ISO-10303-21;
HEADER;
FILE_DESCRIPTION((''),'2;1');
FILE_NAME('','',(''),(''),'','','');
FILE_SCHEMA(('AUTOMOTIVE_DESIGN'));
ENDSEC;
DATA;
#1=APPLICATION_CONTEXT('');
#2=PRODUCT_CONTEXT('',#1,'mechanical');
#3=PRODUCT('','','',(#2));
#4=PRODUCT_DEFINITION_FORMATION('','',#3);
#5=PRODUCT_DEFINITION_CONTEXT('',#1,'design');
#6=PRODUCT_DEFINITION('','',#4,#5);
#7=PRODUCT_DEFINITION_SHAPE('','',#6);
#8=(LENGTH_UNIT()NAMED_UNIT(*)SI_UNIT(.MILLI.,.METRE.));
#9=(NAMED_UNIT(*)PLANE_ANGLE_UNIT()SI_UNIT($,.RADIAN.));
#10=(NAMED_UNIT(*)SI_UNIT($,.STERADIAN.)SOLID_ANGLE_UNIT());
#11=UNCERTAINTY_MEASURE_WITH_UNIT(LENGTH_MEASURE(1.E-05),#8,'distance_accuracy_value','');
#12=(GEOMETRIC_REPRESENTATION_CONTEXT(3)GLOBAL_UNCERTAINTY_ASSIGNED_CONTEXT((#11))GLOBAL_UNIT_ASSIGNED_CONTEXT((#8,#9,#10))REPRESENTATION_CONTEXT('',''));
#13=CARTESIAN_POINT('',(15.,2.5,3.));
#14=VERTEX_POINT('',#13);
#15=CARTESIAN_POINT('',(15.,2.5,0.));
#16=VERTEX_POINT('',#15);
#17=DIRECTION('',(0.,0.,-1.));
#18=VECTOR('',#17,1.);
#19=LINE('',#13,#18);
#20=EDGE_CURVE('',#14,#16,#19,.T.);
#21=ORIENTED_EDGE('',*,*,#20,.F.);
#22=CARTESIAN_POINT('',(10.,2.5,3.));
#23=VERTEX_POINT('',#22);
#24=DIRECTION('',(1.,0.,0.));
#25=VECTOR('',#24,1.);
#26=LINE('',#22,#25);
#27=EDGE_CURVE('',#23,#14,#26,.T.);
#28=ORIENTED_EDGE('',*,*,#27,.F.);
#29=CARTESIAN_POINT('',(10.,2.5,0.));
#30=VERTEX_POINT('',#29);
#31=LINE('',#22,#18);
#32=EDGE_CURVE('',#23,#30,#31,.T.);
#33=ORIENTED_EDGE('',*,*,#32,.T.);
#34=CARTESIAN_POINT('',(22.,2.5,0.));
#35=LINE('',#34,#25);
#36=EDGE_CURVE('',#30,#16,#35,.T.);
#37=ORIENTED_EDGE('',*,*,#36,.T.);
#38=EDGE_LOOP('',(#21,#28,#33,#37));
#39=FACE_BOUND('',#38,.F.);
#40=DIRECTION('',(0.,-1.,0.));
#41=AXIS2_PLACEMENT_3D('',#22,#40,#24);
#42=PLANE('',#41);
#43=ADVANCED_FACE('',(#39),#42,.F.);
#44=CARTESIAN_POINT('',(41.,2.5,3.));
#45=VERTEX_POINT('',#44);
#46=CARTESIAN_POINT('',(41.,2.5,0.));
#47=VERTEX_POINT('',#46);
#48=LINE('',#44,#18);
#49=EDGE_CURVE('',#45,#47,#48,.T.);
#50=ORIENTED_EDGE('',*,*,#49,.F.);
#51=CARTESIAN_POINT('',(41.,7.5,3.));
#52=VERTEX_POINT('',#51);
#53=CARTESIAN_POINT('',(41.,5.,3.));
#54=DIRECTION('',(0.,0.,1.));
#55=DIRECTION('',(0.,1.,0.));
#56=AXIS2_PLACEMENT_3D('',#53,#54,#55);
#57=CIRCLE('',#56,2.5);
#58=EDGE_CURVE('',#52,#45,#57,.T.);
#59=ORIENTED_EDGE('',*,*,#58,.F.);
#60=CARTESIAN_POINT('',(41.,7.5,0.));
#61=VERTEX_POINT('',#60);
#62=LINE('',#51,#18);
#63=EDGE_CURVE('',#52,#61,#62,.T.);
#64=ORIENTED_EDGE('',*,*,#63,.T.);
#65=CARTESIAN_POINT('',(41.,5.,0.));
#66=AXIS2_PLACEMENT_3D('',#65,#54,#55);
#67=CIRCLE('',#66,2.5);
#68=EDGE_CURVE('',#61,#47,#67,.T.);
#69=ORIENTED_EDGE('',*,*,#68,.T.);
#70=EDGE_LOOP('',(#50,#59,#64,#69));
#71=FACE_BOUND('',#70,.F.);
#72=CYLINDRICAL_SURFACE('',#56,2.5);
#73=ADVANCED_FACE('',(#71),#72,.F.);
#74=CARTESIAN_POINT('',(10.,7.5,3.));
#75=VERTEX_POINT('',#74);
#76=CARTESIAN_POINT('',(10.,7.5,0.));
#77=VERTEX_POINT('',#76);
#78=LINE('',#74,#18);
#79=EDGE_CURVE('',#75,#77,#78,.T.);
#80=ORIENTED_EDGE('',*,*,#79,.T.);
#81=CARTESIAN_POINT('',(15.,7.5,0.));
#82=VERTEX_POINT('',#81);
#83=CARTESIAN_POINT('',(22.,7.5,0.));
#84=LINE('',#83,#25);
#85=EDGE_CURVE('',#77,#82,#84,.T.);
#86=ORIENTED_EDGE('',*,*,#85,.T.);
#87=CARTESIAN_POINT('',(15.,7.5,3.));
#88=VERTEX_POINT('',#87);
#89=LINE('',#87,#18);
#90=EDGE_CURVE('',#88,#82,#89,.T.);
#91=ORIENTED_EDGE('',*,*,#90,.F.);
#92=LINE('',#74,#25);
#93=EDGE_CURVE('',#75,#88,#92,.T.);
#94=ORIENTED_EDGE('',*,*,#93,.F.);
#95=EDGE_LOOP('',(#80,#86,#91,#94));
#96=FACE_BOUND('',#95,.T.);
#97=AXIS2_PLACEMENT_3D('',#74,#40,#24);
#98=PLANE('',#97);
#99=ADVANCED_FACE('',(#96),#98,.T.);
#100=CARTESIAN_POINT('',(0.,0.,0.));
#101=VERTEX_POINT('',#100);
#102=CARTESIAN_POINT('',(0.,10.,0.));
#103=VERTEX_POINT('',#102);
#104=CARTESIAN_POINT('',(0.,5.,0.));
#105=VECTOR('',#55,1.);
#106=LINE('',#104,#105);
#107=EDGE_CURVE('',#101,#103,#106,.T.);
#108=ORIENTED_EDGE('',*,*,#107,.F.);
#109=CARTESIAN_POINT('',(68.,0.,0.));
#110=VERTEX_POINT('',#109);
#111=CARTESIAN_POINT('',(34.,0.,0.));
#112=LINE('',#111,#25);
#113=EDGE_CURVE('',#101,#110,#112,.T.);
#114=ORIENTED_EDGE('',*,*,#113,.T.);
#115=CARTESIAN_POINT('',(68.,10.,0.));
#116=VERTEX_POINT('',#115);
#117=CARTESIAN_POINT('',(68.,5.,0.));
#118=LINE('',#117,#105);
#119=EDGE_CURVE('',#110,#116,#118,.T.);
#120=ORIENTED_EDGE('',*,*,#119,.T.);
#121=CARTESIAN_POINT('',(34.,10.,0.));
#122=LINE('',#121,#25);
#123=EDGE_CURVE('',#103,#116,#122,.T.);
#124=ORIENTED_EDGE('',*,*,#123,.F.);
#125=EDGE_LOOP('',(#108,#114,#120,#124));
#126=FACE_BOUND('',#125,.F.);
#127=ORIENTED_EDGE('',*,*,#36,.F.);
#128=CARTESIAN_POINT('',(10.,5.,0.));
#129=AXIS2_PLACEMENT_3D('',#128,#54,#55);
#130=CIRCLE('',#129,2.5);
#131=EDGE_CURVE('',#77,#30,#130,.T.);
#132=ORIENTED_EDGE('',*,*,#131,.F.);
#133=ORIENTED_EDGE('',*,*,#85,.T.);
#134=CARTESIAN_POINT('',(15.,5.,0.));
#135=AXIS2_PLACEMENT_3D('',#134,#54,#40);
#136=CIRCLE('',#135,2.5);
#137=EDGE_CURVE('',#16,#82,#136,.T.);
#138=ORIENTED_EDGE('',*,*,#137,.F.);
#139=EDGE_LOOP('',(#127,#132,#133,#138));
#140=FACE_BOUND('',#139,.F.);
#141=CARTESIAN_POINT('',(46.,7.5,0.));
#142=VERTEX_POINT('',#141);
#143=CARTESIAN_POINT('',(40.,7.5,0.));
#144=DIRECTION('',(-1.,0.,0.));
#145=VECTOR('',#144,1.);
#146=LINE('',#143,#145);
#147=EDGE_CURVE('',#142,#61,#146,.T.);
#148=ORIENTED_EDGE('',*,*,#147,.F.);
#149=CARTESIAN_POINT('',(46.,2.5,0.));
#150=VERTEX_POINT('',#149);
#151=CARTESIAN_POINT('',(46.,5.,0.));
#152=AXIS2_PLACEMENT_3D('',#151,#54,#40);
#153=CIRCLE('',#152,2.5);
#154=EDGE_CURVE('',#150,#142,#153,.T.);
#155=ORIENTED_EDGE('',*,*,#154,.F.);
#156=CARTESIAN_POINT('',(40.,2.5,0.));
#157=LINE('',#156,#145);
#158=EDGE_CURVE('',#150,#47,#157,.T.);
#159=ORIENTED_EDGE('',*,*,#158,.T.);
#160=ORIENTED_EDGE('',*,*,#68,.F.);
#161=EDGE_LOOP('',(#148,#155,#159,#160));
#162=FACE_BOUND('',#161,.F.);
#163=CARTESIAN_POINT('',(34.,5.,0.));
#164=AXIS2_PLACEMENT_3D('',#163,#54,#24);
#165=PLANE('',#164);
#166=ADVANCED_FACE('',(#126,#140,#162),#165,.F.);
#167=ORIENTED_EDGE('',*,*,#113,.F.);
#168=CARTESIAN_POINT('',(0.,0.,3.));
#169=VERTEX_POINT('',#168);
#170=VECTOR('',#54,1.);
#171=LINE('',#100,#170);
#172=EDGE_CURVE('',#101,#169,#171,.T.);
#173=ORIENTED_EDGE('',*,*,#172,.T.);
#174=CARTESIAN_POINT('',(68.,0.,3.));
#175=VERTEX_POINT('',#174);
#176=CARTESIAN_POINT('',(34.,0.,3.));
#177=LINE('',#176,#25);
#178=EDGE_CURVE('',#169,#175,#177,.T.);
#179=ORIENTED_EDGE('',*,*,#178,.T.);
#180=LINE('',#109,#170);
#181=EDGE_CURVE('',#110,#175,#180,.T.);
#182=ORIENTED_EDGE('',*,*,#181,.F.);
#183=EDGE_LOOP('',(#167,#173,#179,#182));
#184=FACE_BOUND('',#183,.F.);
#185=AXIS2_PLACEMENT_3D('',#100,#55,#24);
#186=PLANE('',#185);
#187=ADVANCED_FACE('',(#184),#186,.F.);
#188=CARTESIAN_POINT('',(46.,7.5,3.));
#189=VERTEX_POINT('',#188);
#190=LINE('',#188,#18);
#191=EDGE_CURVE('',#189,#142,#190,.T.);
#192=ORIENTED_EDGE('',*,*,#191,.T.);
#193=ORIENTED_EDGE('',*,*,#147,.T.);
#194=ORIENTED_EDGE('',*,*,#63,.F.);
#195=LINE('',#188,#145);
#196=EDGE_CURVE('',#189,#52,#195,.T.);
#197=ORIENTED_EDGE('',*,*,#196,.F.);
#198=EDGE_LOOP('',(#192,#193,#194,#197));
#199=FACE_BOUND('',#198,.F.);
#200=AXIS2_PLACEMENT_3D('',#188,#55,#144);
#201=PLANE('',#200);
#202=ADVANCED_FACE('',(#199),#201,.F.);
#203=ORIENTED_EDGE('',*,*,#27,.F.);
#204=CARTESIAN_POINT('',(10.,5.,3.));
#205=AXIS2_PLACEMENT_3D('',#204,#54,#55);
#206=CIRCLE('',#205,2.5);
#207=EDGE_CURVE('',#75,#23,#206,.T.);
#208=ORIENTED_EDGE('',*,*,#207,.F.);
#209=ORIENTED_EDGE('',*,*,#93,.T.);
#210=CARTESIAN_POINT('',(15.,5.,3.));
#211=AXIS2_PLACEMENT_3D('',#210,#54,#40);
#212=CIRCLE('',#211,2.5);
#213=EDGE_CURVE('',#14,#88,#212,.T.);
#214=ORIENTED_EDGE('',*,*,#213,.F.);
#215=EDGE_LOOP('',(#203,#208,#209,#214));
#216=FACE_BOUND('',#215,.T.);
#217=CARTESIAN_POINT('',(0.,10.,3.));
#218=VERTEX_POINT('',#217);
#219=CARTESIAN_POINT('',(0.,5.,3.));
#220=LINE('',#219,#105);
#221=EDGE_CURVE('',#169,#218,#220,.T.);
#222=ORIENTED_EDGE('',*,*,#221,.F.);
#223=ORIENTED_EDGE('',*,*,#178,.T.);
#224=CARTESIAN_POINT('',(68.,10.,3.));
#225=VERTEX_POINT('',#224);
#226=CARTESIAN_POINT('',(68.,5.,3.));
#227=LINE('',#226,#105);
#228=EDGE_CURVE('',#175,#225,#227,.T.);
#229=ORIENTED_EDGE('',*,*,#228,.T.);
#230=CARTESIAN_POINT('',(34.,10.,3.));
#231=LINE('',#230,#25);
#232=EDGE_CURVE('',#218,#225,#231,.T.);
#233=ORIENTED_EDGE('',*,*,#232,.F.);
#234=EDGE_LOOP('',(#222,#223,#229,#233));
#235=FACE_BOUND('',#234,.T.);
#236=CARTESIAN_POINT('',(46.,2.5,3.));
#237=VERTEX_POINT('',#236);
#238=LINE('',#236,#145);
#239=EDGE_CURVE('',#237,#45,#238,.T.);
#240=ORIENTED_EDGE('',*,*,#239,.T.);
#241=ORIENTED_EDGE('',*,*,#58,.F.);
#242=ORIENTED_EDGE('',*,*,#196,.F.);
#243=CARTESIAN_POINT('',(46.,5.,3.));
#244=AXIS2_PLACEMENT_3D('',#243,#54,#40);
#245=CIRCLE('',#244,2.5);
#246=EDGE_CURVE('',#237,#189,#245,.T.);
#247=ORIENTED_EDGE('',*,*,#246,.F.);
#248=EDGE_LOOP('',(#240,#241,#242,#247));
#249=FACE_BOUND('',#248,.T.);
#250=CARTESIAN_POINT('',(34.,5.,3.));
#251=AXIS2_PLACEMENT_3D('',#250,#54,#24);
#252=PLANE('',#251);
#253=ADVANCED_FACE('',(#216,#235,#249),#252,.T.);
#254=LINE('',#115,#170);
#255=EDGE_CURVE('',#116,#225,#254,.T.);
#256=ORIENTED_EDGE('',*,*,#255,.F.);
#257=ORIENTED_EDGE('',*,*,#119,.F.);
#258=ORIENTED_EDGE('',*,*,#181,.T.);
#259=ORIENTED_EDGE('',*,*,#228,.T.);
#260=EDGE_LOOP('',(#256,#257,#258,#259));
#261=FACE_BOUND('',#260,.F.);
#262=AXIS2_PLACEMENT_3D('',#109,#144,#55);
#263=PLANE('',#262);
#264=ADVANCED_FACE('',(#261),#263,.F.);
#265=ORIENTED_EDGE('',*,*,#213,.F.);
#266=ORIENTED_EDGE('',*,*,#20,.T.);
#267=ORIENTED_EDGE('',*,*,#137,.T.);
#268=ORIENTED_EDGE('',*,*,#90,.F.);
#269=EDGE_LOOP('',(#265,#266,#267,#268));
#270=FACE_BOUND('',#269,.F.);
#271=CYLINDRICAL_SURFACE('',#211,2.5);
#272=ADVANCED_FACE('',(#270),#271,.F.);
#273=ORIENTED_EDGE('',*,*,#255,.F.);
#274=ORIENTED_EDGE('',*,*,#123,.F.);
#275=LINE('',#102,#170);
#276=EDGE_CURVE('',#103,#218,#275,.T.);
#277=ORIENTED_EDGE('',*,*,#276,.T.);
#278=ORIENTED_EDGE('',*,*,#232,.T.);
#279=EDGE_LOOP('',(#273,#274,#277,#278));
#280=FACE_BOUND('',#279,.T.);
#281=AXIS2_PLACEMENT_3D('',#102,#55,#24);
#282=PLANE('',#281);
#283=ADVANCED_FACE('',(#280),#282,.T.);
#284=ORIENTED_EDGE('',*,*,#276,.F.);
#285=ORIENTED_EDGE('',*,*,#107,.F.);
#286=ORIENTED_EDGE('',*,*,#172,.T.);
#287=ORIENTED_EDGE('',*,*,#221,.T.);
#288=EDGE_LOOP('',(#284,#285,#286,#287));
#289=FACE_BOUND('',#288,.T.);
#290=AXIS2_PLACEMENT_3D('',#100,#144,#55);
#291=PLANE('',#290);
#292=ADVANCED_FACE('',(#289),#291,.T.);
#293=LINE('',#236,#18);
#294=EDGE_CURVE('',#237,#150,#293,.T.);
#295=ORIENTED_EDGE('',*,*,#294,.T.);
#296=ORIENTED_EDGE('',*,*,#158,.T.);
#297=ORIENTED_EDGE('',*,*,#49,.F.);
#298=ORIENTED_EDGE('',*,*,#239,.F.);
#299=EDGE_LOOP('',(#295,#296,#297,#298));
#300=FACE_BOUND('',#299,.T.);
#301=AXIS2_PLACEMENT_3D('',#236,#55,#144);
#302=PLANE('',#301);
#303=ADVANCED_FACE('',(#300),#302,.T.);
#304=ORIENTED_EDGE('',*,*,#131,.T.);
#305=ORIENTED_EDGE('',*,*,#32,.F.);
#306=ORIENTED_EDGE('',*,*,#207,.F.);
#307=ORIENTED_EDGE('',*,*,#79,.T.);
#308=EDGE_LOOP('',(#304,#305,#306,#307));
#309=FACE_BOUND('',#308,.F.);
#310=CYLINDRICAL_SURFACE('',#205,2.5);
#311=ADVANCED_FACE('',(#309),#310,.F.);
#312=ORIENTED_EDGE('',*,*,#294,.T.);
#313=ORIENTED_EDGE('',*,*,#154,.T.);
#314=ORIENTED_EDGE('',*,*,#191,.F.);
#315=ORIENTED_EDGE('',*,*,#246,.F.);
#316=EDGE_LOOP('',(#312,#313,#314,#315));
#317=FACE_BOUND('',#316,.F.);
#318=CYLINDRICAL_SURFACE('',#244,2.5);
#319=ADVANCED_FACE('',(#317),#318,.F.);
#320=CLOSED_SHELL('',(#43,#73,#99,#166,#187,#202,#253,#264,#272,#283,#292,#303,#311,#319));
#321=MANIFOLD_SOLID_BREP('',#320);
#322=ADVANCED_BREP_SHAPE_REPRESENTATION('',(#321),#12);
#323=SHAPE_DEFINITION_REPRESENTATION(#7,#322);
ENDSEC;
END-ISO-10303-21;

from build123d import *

# Parameters (mm, degrees)
SKETCH_W        = 68
SKETCH_H        = 10
PAD_DEPTH       = 3
POCKET001_DEPTH = 3.001


with BuildPart() as part:
    # Sketch → Pad (new body)
    with BuildSketch(Plane.XY):
        with Locations((34, 5)):
            Rectangle(SKETCH_W, SKETCH_H)
    extrude(amount=PAD_DEPTH)

    # Sketch002 → Pocket001 (cut, through all)
    with BuildSketch(Plane.XY.offset(3)):
        with BuildLine():
            ThreePointArc((10, 7.5), (7.5, 5), (10, 2.5))
            Line((10, 2.5), (15, 2.5))
            ThreePointArc((15, 2.5), (17.5, 5), (15, 7.5))
            Line((10, 7.5), (15, 7.5))
        make_face()
        with BuildLine():
            ThreePointArc((46, 2.5), (48.5, 5), (46, 7.5))
            Line((46, 7.5), (41, 7.5))
            ThreePointArc((41, 7.5), (38.5, 5), (41, 2.5))
            Line((46, 2.5), (41, 2.5))
        make_face()
    extrude(amount=-POCKET001_DEPTH, mode=Mode.SUBTRACT)


solid = part.part
